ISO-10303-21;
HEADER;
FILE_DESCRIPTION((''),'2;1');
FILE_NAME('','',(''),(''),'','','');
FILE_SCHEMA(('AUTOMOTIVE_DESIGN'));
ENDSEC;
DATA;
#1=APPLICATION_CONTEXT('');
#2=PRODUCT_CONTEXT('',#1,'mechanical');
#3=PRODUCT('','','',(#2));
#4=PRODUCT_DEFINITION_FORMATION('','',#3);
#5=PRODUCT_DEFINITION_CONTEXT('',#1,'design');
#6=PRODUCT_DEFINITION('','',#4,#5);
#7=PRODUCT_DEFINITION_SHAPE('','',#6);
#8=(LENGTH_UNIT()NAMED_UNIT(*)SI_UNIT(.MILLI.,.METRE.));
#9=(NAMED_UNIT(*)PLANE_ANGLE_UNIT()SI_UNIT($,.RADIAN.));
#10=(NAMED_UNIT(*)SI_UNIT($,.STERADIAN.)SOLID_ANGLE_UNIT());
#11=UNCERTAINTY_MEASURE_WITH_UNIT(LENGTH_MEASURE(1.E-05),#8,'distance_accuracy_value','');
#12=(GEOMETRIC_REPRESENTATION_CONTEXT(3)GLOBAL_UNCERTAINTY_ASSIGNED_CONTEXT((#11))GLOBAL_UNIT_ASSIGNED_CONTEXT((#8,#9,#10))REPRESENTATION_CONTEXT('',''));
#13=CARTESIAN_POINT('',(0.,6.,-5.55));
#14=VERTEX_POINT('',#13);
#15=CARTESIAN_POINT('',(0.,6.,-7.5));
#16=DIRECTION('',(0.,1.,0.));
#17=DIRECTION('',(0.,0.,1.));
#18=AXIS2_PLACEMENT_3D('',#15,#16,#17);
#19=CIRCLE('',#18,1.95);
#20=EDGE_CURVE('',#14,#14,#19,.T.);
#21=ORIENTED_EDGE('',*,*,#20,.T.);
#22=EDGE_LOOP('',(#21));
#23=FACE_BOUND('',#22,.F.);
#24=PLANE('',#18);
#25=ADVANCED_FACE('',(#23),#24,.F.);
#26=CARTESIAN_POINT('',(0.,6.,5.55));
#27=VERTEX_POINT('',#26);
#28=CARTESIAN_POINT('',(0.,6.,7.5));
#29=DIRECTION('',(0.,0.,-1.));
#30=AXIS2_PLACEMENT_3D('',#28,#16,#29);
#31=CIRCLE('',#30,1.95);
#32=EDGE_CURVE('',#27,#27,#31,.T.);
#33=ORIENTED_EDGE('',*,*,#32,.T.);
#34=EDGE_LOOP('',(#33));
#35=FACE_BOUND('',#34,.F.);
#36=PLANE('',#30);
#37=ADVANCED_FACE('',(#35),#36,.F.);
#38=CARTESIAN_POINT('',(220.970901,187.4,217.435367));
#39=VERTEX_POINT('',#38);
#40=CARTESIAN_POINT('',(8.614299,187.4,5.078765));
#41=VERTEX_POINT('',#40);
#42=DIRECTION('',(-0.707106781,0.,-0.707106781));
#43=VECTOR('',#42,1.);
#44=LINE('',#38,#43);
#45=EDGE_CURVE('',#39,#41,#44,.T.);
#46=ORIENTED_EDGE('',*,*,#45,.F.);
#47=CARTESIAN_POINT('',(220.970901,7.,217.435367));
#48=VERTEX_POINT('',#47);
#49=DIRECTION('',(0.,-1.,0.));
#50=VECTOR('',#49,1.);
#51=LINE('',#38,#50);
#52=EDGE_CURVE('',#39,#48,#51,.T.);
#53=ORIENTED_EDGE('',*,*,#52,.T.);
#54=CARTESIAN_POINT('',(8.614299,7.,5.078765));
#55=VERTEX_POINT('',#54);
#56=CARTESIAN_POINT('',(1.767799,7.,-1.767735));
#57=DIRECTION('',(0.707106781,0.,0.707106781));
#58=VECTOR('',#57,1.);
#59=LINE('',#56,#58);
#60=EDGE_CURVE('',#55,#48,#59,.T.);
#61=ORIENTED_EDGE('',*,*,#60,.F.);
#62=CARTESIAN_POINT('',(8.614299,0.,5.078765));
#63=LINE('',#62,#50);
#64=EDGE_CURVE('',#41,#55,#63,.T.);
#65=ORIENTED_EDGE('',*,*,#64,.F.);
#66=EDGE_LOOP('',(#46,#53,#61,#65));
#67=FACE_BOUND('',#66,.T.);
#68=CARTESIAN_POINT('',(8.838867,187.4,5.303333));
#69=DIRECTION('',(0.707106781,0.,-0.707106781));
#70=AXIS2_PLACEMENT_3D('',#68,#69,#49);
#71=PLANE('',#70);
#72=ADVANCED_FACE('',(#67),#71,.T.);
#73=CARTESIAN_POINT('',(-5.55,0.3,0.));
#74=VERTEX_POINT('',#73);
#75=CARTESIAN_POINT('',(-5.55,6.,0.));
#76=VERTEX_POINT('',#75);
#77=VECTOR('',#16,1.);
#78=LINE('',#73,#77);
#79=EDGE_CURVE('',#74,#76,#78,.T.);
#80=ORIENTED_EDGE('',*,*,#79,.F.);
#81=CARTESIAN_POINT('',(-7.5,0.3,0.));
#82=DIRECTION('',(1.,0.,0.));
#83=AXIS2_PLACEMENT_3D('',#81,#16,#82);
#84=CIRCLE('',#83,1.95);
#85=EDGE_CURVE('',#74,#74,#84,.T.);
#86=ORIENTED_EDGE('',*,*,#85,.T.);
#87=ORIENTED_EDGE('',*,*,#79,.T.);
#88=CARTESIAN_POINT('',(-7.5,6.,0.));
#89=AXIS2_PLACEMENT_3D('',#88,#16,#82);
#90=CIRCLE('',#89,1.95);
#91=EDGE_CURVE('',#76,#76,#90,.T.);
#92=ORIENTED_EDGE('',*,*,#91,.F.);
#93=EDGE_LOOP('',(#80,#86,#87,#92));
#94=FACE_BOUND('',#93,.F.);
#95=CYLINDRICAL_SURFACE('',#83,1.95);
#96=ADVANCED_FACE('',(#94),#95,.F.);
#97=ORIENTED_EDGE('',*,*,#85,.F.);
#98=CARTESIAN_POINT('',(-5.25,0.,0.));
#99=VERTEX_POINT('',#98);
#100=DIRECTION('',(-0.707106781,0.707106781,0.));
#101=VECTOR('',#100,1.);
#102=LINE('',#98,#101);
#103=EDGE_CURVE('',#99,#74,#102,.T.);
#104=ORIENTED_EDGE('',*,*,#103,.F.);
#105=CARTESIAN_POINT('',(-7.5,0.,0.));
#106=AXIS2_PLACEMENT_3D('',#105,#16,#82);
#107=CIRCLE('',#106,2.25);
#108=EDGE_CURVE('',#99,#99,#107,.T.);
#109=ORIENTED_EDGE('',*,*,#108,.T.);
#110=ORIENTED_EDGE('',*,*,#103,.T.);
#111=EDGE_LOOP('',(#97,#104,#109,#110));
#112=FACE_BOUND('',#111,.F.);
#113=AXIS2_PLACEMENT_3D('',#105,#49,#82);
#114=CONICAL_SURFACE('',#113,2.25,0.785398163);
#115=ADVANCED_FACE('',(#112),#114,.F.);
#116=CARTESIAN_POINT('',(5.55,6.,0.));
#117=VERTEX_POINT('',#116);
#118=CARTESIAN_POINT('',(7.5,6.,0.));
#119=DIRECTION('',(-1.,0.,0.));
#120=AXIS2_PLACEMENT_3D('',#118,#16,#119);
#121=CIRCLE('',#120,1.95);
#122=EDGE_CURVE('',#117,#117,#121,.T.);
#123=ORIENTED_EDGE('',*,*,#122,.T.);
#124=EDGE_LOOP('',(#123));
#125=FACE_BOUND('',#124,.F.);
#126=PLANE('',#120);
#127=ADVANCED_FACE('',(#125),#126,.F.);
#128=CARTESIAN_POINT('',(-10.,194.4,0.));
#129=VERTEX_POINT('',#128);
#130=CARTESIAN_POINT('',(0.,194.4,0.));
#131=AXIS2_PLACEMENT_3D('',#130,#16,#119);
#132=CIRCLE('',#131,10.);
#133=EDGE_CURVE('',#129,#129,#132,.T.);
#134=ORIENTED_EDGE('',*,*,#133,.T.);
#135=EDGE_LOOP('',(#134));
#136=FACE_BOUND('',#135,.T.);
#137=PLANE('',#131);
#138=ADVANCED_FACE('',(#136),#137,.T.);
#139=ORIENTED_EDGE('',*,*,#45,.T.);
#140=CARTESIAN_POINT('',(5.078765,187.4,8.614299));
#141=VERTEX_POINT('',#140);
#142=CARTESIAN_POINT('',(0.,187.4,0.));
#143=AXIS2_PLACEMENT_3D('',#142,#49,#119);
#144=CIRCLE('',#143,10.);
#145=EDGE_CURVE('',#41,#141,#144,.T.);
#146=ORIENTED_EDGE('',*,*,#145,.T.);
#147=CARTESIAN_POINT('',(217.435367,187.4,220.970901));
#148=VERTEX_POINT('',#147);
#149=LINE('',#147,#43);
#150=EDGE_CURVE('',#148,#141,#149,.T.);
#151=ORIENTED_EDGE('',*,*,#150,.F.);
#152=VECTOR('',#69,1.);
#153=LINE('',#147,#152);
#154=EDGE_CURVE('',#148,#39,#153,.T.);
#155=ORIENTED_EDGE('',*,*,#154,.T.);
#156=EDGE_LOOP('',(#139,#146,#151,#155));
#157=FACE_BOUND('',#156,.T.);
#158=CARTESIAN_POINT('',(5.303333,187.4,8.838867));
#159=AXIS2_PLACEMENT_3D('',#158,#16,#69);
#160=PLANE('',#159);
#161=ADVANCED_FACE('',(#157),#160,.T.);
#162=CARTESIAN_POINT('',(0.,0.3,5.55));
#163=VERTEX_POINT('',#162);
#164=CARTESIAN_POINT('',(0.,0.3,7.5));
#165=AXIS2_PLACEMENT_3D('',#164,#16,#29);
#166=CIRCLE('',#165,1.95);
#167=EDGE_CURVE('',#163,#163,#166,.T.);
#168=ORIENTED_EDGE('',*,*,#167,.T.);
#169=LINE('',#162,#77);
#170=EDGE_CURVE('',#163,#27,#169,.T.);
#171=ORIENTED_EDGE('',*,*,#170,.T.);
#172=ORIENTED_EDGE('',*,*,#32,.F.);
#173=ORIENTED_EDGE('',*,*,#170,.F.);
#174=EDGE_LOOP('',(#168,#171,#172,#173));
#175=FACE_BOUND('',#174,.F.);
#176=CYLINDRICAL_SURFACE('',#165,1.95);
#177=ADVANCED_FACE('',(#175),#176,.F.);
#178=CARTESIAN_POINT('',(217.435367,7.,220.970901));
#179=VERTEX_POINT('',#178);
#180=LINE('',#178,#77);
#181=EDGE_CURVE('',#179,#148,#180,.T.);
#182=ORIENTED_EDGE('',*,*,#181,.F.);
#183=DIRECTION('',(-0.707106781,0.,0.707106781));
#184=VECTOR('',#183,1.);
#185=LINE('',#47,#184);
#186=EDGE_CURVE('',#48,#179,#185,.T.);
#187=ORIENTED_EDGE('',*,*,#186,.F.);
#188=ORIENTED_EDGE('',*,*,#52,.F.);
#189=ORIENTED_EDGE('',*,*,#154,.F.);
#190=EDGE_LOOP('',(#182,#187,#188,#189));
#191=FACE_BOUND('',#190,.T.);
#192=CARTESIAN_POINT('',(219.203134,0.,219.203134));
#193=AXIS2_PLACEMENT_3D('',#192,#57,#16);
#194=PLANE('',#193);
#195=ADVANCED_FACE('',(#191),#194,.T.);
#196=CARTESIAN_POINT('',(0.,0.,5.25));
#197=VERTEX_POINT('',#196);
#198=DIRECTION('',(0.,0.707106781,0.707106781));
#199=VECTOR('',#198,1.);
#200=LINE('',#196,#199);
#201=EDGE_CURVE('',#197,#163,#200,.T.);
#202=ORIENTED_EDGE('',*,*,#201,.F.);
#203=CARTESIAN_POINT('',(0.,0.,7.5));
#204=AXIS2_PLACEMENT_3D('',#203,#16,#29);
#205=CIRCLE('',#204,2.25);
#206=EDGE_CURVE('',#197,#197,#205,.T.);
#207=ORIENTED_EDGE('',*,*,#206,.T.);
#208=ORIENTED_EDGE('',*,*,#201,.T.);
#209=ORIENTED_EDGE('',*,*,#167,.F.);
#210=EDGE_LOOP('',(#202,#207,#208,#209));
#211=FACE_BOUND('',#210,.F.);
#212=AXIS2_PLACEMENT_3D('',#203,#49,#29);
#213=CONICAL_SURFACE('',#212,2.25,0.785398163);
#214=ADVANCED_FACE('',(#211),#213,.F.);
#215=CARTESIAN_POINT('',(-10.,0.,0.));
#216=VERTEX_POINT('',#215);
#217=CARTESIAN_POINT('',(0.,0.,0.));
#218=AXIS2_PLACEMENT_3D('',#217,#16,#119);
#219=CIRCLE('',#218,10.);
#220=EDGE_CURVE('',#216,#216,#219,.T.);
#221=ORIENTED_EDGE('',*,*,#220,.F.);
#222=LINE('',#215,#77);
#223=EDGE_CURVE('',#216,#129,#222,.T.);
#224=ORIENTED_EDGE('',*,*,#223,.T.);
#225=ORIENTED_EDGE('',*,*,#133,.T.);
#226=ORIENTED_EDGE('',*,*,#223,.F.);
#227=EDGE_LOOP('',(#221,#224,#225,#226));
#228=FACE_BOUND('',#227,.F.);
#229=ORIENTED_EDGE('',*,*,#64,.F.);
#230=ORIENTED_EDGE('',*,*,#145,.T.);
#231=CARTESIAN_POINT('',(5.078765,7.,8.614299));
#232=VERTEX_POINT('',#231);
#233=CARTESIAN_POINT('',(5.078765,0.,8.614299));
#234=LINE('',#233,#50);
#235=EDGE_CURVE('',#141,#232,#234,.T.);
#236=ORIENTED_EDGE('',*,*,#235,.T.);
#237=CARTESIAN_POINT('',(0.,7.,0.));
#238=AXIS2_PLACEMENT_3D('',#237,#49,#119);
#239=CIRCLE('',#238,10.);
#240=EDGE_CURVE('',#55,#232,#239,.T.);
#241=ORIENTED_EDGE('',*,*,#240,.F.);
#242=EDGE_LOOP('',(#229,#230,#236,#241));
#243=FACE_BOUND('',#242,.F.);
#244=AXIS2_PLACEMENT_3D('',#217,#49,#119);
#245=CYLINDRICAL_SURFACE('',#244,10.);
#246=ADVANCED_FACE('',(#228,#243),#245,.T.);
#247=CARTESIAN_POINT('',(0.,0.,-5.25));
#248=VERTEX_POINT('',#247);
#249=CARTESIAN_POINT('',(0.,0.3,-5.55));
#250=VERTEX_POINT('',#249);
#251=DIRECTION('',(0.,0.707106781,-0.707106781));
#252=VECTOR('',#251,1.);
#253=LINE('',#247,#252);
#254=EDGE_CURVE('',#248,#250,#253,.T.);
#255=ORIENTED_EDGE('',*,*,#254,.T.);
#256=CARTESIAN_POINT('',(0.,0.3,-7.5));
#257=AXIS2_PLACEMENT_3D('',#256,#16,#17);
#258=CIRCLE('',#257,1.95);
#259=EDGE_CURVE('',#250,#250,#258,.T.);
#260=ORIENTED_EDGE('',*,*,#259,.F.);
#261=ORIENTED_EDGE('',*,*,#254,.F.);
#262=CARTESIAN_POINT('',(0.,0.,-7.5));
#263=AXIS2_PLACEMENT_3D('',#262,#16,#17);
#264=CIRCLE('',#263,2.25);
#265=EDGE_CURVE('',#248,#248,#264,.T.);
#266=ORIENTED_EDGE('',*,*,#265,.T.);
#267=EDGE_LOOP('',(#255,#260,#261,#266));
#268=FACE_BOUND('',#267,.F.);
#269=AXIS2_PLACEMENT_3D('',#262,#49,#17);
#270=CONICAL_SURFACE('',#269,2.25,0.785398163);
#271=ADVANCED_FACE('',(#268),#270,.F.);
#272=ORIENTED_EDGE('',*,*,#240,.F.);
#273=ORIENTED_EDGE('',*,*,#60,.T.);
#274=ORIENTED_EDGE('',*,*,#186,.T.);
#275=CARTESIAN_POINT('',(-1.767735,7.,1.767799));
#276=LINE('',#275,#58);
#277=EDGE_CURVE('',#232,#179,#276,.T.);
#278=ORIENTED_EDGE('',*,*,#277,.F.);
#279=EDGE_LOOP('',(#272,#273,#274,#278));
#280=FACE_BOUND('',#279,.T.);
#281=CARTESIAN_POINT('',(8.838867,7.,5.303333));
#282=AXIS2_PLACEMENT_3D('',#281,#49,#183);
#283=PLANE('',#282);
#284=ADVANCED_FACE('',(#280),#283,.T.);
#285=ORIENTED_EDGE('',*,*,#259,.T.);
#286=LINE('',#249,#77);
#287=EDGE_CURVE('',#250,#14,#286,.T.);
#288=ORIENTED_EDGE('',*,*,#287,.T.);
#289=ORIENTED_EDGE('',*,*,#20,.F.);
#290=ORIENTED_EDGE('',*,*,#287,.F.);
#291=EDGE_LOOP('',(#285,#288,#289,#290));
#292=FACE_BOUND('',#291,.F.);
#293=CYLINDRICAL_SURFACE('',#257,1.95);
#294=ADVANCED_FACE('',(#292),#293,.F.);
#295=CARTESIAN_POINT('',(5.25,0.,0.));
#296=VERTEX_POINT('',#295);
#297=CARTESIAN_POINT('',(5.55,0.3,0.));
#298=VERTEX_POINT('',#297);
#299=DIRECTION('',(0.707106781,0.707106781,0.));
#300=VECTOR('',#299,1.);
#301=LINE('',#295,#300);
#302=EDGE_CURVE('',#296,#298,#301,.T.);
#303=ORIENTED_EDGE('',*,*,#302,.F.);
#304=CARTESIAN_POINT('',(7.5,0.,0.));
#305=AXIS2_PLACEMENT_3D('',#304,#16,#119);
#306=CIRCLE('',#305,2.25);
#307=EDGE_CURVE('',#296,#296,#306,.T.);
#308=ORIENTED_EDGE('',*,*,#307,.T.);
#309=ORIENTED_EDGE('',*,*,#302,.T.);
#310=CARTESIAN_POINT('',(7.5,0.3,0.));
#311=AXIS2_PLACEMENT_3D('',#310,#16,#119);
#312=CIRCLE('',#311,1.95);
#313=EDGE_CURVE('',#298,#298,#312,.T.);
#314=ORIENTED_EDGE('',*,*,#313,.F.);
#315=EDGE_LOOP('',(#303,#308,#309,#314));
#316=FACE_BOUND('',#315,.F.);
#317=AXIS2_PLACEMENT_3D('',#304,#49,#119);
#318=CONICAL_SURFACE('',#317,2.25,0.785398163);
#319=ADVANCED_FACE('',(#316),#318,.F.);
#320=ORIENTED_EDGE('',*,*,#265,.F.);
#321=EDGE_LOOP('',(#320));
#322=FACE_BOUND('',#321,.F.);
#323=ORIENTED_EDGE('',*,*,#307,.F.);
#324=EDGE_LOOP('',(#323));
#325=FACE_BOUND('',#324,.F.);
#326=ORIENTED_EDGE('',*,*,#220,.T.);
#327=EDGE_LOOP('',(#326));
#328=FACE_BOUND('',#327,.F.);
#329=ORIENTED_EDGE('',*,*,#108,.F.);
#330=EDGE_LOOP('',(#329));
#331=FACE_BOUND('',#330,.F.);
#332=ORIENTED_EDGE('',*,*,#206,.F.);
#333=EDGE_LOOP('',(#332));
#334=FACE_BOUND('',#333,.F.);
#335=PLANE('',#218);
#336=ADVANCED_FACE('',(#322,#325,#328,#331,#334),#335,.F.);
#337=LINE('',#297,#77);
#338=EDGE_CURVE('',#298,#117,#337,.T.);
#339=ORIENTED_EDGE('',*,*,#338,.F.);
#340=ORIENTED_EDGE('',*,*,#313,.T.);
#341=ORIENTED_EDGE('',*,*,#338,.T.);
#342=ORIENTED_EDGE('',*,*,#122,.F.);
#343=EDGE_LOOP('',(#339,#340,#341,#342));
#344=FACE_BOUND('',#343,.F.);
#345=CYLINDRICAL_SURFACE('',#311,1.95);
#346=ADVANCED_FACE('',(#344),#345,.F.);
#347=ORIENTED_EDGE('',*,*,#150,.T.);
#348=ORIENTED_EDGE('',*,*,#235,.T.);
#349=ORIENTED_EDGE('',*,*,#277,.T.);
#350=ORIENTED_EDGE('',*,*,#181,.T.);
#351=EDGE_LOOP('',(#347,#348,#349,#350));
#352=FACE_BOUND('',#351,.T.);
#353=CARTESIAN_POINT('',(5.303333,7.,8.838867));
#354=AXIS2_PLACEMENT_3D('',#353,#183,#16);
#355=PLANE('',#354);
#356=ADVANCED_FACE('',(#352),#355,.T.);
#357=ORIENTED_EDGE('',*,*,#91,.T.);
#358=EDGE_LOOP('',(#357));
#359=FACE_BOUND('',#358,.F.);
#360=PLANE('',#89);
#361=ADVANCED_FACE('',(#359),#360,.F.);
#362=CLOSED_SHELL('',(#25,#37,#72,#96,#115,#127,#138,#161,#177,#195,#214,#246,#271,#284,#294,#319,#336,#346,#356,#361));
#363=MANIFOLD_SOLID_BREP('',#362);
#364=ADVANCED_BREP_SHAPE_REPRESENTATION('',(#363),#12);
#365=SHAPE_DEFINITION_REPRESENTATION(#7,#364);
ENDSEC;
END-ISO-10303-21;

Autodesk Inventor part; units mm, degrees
ref_plane "XZ Plane" through (0, 0, 0) normal (0, 1, 0) x (-1, 0, 0)
sketch "Эскиз1" plane through (0, 0, 0) normal (0, 1, 0) x (-1, 0, 0)
  circle A0 centre (0, 0) radius 10
  dimension "d0" = 20
extrude "Выдавливание1" add sketch "Эскиз1" along normal blind 194.4
sketch "Эскиз2" plane through (0, 0, 0) normal (0, -1, 0) x (1, 0, 0)
  circle A0 centre (0, 0) radius 7.5 construction
  point P0 (0, 7.5)
  dimension "d3" = 15
hole "Отверстие1" at (0, 0, 7.5) direction (0, 1, 0) diameter 3.9 depth 6 countersink diameter 4.5 countersink angle 90
pattern_circular "Круговой массив1" count 4 over 360 about axis through (0, 0, 0) along (0, 1, 0) of "Отверстие1"
ref_plane "РабПлоскость1" through (0, 0, 0) normal (0.7071, 0, -0.7071) x (0, 1, 0)
sketch "Эскиз3" plane through (0, 0, 0) normal (0.7071, 0, -0.7071) x (0, 1, 0)
  line L0 (0, 10) -> (194.4, 10) projected
  point P0 (0, 0)
ref_plane "РабПлоскость2" through (7.0711, 0, 7.0711) normal (0.7071, 0, 0.7071) x (0, 1, 0)
sketch "Эскиз4" plane through (7.0711, 0, 7.0711) normal (0.7071, 0, 0.7071) x (0, 1, 0)
  line L0 (6, 3.3533) -> (0.3, 3.3533) projected
  line L1 (6, 7.2533) -> (0.3, 7.2533) projected
  line L2 (6, 7.2533) -> (6, 3.3533) projected
  line L3 (6, -7.2533) -> (0.3, -7.2533) projected
  line L4 (6, -3.3533) -> (0.3, -3.3533) projected
  line L5 (6, -3.3533) -> (6, -7.2533) projected
  line L6 (7, 2.5) -> (187.4, 2.5)
  line L7 (187.4, 2.5) -> (187.4, -2.5)
  line L8 (187.4, -2.5) -> (7, -2.5)
  line L9 (7, -2.5) -> (7, 2.5)
  line L10 (0, 0) -> (8, 0) construction
  line L11 (194.4, -10) -> (194.4, 10) construction
  dimension "d14" = 5
  dimension "d15" = 7
  dimension "d16" = 7
extrude "Выдавливание2" add sketch "Эскиз4" along normal blind 300 and the other way blind 10
properties part number "вал"
